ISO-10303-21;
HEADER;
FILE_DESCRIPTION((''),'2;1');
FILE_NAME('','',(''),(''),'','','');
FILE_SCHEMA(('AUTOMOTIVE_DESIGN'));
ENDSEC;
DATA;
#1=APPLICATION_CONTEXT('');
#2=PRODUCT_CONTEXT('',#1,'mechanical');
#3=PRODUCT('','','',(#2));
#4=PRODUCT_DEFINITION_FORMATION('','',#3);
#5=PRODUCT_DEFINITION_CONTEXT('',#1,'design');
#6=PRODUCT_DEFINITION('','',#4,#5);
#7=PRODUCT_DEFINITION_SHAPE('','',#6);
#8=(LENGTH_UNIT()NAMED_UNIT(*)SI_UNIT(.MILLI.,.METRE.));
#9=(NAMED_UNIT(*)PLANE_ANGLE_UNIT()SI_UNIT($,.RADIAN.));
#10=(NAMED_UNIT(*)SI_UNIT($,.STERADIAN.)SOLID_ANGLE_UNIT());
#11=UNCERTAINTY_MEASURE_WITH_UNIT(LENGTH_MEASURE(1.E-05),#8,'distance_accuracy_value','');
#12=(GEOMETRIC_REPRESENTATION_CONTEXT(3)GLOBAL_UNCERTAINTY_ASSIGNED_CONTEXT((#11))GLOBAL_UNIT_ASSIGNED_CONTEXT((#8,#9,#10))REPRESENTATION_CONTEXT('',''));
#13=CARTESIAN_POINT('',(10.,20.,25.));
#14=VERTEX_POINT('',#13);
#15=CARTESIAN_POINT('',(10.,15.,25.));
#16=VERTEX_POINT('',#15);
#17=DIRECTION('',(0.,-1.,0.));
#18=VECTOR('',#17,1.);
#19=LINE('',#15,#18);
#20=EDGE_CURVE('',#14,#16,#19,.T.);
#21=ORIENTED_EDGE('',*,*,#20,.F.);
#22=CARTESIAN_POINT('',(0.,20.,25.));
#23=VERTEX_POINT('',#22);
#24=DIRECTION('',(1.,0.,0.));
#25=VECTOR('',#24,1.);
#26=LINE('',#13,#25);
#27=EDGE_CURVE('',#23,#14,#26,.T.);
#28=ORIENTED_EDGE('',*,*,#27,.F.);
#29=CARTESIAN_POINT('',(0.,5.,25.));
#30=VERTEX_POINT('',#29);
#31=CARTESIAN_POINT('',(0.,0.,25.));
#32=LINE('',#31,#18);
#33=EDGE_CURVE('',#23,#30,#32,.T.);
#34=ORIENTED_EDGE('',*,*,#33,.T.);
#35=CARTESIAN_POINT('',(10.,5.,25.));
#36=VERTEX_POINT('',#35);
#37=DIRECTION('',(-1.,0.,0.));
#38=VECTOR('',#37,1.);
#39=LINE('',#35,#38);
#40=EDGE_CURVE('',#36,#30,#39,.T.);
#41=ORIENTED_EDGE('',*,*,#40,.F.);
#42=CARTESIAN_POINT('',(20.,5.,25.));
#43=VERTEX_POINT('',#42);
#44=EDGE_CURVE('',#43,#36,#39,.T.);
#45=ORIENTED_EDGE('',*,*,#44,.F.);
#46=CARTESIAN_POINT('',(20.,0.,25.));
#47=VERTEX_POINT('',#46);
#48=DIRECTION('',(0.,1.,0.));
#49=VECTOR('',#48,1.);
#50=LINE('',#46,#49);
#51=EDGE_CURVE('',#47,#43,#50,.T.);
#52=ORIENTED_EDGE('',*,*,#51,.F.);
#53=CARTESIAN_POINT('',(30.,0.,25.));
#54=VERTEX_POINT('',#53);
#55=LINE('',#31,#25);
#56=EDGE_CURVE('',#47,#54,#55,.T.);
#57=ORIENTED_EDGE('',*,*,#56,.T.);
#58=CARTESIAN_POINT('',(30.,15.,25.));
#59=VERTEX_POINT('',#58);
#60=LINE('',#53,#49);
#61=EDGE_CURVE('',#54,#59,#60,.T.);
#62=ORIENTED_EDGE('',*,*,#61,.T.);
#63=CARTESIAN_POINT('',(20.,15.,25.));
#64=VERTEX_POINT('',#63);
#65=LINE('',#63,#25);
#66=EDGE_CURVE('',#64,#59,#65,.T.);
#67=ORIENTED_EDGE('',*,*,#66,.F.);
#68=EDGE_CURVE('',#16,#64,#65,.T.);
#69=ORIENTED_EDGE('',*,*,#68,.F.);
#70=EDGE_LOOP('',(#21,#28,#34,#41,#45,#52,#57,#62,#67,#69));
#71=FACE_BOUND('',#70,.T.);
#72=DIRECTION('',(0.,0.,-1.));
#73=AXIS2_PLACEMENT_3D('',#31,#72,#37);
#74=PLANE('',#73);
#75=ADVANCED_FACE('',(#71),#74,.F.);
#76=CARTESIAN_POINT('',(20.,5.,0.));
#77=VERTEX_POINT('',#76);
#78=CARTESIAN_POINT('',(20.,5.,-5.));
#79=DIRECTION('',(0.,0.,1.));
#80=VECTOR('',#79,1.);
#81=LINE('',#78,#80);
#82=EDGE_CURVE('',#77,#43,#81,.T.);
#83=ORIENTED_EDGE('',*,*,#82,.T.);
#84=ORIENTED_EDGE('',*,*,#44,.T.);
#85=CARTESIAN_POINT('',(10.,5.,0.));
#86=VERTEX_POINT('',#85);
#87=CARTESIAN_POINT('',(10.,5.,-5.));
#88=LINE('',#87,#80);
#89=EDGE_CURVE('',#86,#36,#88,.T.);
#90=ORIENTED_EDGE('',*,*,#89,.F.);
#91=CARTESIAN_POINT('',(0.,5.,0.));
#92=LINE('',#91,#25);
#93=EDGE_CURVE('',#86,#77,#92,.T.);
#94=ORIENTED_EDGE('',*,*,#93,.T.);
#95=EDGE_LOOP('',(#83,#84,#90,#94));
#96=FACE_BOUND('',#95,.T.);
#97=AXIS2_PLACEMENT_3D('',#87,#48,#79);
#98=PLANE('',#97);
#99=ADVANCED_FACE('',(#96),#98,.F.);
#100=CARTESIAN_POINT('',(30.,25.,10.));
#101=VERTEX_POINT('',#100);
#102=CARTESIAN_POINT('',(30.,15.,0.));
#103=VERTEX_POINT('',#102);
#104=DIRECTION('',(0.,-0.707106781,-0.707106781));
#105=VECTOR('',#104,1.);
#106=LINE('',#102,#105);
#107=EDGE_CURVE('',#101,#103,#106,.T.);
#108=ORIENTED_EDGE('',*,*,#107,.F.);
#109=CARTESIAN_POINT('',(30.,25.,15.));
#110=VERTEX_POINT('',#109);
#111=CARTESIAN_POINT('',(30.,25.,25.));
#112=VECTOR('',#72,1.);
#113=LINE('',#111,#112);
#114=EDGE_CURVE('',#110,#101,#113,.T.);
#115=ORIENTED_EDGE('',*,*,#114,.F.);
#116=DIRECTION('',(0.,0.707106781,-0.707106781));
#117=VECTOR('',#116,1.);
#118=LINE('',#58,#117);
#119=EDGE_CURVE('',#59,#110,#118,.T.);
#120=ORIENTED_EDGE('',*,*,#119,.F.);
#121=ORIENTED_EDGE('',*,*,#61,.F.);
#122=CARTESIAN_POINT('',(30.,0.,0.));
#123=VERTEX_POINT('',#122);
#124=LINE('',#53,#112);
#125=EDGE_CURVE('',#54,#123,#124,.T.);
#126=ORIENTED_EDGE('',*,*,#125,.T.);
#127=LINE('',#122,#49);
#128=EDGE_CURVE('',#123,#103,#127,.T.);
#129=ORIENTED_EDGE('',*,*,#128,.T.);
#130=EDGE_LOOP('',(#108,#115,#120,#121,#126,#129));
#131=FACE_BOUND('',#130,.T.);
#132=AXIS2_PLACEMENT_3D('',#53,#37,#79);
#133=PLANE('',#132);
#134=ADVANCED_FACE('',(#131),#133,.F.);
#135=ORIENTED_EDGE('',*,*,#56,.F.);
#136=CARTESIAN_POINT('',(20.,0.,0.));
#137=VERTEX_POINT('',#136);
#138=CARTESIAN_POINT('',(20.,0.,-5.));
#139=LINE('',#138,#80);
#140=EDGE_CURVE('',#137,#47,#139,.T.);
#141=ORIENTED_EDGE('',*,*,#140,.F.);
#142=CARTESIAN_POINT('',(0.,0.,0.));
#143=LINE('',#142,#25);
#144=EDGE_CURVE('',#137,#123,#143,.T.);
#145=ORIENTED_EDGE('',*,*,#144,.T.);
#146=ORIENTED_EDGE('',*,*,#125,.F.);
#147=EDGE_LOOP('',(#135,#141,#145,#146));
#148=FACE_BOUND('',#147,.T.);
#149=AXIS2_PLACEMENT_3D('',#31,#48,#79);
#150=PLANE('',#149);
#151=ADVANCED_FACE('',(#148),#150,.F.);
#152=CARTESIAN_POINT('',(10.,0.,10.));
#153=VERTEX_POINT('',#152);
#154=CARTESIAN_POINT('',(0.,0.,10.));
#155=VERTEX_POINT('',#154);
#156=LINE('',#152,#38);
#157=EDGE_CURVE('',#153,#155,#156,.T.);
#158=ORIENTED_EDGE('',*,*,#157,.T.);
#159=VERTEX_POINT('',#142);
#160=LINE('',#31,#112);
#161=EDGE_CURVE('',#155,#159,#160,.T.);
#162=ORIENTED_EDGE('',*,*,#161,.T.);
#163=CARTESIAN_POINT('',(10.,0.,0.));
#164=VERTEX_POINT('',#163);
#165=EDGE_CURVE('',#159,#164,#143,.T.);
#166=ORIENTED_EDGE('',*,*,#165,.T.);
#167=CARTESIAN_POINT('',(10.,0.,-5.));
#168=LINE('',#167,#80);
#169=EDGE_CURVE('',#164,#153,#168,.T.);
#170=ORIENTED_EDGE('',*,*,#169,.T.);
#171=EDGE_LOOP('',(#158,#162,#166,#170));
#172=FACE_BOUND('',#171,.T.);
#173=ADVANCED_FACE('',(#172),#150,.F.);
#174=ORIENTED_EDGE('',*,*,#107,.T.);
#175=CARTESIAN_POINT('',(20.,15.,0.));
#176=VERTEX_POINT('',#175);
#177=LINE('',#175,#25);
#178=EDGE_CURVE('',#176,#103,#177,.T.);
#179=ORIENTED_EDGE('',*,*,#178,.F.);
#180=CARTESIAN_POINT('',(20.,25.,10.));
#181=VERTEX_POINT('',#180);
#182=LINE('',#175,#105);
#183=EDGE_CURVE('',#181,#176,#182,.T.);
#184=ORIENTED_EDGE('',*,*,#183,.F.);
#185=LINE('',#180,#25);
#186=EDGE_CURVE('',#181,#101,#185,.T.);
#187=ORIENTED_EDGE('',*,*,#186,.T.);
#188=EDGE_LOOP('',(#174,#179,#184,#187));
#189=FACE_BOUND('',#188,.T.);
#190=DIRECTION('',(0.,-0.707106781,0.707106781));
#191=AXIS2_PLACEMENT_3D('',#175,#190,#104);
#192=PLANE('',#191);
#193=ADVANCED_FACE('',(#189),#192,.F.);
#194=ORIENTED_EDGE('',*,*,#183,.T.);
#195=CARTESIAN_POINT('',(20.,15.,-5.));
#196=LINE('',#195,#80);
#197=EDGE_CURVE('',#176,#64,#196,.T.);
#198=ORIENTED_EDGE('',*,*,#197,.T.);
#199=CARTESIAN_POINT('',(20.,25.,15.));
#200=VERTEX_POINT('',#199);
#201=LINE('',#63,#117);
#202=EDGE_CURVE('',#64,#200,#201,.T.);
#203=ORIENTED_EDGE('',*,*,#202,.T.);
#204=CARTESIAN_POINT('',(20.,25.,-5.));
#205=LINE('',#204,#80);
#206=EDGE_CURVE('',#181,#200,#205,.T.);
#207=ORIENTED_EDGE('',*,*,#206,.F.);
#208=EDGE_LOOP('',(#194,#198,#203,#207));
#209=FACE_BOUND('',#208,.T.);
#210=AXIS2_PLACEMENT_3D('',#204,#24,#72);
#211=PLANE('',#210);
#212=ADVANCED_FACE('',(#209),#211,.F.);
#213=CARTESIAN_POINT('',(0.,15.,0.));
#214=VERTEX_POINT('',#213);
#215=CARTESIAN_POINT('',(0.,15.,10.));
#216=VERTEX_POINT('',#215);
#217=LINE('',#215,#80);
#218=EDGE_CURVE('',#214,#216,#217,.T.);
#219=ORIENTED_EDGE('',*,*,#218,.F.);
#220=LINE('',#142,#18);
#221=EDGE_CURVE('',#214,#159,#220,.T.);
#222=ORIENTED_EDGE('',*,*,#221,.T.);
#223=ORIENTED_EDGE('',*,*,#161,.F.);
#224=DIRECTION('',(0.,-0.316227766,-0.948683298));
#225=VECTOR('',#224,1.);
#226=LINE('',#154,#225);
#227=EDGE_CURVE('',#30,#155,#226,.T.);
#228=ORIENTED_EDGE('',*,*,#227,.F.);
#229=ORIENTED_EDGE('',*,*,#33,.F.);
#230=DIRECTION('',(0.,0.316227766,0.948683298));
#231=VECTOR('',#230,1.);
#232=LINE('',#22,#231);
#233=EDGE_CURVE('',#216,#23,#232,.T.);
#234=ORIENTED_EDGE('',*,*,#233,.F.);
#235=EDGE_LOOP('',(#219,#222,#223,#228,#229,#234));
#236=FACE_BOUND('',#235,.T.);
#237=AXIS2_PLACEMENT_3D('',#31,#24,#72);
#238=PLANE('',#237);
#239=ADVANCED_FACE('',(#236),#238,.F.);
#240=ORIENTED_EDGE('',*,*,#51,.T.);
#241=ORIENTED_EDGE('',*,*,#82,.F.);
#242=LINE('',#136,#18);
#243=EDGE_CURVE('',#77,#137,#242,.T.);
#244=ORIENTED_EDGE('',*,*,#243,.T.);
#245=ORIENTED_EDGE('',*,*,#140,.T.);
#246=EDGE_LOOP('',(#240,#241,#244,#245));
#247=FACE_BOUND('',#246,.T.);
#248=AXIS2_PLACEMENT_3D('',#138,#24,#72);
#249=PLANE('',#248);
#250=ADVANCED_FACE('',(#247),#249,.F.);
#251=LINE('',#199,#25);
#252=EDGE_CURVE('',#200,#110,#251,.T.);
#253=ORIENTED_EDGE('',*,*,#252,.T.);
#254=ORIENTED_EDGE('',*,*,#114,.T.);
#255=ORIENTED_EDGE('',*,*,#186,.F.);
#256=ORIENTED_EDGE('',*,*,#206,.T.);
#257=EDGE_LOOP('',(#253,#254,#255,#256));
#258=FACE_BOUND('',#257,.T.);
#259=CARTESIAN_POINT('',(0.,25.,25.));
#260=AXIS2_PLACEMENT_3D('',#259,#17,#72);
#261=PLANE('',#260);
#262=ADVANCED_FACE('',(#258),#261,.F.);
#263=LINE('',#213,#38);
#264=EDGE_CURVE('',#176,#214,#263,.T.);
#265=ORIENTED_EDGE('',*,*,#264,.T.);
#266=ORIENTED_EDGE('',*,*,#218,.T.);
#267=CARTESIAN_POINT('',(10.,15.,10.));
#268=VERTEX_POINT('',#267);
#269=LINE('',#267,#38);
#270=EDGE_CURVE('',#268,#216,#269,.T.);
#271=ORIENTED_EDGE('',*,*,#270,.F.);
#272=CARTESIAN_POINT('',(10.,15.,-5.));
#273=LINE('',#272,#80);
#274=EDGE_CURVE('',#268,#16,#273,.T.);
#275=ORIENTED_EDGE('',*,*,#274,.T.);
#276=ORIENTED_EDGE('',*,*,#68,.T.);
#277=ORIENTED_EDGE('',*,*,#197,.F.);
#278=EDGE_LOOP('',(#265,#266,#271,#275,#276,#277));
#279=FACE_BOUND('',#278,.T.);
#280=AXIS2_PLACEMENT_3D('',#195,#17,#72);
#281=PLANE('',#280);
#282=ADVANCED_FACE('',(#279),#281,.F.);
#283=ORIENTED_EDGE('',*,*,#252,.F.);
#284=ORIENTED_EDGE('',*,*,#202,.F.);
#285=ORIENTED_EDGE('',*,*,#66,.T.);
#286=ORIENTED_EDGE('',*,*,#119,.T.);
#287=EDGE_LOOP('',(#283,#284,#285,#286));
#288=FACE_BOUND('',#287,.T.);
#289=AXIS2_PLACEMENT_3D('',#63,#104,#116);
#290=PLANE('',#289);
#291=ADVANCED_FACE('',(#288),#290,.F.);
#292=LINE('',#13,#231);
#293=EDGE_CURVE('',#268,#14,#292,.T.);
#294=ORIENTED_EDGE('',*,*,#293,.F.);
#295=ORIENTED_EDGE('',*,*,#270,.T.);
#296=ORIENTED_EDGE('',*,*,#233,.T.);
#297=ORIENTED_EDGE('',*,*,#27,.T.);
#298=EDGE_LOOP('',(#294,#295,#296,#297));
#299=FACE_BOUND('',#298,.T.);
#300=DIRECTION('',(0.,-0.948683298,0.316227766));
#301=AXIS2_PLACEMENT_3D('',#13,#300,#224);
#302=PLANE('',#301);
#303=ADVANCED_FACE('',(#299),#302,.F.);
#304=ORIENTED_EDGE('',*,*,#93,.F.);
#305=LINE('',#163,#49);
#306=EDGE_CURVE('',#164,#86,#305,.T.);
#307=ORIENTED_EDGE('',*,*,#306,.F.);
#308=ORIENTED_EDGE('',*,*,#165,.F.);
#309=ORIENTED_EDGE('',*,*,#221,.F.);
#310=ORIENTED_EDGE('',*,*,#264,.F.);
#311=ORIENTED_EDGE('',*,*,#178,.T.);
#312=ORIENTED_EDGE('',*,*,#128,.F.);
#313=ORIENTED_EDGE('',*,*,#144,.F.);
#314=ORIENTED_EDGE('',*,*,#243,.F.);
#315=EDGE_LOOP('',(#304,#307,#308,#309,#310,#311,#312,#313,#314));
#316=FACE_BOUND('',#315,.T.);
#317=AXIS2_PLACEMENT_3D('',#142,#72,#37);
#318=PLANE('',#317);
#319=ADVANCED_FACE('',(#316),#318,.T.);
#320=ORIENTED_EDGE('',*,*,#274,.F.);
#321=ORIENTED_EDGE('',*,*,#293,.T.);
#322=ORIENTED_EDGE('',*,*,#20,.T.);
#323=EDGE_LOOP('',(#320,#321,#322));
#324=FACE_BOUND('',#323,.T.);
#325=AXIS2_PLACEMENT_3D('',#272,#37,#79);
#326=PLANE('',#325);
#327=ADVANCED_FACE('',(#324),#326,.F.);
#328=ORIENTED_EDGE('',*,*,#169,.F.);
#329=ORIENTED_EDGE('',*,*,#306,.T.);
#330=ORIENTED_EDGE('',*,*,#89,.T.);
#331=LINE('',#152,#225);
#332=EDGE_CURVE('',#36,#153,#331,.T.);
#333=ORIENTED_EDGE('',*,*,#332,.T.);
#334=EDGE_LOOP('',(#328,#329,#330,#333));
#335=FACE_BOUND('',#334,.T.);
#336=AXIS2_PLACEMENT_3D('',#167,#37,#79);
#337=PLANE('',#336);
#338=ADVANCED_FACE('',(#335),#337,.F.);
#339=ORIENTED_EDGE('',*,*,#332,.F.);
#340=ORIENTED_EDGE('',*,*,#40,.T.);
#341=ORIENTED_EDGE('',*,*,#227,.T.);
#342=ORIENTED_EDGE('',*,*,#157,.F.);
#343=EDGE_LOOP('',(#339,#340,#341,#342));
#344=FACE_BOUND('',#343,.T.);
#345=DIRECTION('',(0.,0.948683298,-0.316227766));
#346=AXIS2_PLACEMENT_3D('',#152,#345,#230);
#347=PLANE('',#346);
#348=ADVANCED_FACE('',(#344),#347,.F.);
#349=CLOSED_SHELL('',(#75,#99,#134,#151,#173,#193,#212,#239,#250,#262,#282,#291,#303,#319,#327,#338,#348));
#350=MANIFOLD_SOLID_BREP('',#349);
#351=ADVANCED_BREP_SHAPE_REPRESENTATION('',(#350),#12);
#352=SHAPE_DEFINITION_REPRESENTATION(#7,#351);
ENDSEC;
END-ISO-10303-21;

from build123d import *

# Parameters (mm, degrees)
SKETCH1_W           = 30
SKETCH1_H           = 25
BOSS_EXTRUDE1_DEPTH = 25
CUT_EXTRUDE1_DEPTH  = 10
SKETCH3_W           = 10
SKETCH3_H           = 5
CUT_EXTRUDE2_DEPTH  = 30
CUT_EXTRUDE3_DEPTH  = 30
CUT_EXTRUDE5_DEPTH  = 10
SKETCH7_W           = 10
SKETCH7_H           = 10
CUT_EXTRUDE6_DEPTH  = 5


with BuildPart() as part:
    # Sketch1 → Boss-Extrude1 (new body)
    with BuildSketch(Plane.XY):
        with Locations((15, 12.5)):
            Rectangle(SKETCH1_W, SKETCH1_H)
    extrude(amount=BOSS_EXTRUDE1_DEPTH)

    # Sketch2 → Cut-Extrude1 (cut)
    with BuildSketch(Plane(origin=(30, 0, 0), x_dir=(0, 0, -1), z_dir=(1, 0, 0))):
        Polygon((-25, 25), (-25, 15), (-15, 25), align=None)
        Polygon((-10, 25), (0, 25), (0, 15), align=None)
    extrude(amount=-CUT_EXTRUDE1_DEPTH, mode=Mode.SUBTRACT)

    # Sketch3 → Cut-Extrude2 (cut)
    with BuildSketch(Plane.XY.offset(25)):
        with Locations((15, 2.5)):
            Rectangle(SKETCH3_W, SKETCH3_H)
    extrude(amount=-CUT_EXTRUDE2_DEPTH, mode=Mode.SUBTRACT)

    # Sketch4 → Cut-Extrude3 (cut)
    with BuildSketch(Plane.XY.offset(25)):
        Polygon((0, 25), (20, 25), (20, 15), (10, 15), (10, 20), (0, 20), align=None)
    extrude(amount=-CUT_EXTRUDE3_DEPTH, mode=Mode.SUBTRACT)

    # Sketch6 → Cut-Extrude5 (cut)
    with BuildSketch(Plane.ZY):
        Polygon((25, 20), (10, 15), (10, 20), align=None)
        Polygon((25, 0), (10, 0), (25, 5), align=None)
    extrude(amount=-CUT_EXTRUDE5_DEPTH, mode=Mode.SUBTRACT)

    # Sketch7 → Cut-Extrude6 (cut)
    with BuildSketch(Plane(origin=(0, 20, 0), x_dir=(1, 0, 0), z_dir=(0, 1, 0))):
        with Locations((5, -5)):
            Rectangle(SKETCH7_W, SKETCH7_H)
    extrude(amount=-CUT_EXTRUDE6_DEPTH, mode=Mode.SUBTRACT)


solid = part.part
